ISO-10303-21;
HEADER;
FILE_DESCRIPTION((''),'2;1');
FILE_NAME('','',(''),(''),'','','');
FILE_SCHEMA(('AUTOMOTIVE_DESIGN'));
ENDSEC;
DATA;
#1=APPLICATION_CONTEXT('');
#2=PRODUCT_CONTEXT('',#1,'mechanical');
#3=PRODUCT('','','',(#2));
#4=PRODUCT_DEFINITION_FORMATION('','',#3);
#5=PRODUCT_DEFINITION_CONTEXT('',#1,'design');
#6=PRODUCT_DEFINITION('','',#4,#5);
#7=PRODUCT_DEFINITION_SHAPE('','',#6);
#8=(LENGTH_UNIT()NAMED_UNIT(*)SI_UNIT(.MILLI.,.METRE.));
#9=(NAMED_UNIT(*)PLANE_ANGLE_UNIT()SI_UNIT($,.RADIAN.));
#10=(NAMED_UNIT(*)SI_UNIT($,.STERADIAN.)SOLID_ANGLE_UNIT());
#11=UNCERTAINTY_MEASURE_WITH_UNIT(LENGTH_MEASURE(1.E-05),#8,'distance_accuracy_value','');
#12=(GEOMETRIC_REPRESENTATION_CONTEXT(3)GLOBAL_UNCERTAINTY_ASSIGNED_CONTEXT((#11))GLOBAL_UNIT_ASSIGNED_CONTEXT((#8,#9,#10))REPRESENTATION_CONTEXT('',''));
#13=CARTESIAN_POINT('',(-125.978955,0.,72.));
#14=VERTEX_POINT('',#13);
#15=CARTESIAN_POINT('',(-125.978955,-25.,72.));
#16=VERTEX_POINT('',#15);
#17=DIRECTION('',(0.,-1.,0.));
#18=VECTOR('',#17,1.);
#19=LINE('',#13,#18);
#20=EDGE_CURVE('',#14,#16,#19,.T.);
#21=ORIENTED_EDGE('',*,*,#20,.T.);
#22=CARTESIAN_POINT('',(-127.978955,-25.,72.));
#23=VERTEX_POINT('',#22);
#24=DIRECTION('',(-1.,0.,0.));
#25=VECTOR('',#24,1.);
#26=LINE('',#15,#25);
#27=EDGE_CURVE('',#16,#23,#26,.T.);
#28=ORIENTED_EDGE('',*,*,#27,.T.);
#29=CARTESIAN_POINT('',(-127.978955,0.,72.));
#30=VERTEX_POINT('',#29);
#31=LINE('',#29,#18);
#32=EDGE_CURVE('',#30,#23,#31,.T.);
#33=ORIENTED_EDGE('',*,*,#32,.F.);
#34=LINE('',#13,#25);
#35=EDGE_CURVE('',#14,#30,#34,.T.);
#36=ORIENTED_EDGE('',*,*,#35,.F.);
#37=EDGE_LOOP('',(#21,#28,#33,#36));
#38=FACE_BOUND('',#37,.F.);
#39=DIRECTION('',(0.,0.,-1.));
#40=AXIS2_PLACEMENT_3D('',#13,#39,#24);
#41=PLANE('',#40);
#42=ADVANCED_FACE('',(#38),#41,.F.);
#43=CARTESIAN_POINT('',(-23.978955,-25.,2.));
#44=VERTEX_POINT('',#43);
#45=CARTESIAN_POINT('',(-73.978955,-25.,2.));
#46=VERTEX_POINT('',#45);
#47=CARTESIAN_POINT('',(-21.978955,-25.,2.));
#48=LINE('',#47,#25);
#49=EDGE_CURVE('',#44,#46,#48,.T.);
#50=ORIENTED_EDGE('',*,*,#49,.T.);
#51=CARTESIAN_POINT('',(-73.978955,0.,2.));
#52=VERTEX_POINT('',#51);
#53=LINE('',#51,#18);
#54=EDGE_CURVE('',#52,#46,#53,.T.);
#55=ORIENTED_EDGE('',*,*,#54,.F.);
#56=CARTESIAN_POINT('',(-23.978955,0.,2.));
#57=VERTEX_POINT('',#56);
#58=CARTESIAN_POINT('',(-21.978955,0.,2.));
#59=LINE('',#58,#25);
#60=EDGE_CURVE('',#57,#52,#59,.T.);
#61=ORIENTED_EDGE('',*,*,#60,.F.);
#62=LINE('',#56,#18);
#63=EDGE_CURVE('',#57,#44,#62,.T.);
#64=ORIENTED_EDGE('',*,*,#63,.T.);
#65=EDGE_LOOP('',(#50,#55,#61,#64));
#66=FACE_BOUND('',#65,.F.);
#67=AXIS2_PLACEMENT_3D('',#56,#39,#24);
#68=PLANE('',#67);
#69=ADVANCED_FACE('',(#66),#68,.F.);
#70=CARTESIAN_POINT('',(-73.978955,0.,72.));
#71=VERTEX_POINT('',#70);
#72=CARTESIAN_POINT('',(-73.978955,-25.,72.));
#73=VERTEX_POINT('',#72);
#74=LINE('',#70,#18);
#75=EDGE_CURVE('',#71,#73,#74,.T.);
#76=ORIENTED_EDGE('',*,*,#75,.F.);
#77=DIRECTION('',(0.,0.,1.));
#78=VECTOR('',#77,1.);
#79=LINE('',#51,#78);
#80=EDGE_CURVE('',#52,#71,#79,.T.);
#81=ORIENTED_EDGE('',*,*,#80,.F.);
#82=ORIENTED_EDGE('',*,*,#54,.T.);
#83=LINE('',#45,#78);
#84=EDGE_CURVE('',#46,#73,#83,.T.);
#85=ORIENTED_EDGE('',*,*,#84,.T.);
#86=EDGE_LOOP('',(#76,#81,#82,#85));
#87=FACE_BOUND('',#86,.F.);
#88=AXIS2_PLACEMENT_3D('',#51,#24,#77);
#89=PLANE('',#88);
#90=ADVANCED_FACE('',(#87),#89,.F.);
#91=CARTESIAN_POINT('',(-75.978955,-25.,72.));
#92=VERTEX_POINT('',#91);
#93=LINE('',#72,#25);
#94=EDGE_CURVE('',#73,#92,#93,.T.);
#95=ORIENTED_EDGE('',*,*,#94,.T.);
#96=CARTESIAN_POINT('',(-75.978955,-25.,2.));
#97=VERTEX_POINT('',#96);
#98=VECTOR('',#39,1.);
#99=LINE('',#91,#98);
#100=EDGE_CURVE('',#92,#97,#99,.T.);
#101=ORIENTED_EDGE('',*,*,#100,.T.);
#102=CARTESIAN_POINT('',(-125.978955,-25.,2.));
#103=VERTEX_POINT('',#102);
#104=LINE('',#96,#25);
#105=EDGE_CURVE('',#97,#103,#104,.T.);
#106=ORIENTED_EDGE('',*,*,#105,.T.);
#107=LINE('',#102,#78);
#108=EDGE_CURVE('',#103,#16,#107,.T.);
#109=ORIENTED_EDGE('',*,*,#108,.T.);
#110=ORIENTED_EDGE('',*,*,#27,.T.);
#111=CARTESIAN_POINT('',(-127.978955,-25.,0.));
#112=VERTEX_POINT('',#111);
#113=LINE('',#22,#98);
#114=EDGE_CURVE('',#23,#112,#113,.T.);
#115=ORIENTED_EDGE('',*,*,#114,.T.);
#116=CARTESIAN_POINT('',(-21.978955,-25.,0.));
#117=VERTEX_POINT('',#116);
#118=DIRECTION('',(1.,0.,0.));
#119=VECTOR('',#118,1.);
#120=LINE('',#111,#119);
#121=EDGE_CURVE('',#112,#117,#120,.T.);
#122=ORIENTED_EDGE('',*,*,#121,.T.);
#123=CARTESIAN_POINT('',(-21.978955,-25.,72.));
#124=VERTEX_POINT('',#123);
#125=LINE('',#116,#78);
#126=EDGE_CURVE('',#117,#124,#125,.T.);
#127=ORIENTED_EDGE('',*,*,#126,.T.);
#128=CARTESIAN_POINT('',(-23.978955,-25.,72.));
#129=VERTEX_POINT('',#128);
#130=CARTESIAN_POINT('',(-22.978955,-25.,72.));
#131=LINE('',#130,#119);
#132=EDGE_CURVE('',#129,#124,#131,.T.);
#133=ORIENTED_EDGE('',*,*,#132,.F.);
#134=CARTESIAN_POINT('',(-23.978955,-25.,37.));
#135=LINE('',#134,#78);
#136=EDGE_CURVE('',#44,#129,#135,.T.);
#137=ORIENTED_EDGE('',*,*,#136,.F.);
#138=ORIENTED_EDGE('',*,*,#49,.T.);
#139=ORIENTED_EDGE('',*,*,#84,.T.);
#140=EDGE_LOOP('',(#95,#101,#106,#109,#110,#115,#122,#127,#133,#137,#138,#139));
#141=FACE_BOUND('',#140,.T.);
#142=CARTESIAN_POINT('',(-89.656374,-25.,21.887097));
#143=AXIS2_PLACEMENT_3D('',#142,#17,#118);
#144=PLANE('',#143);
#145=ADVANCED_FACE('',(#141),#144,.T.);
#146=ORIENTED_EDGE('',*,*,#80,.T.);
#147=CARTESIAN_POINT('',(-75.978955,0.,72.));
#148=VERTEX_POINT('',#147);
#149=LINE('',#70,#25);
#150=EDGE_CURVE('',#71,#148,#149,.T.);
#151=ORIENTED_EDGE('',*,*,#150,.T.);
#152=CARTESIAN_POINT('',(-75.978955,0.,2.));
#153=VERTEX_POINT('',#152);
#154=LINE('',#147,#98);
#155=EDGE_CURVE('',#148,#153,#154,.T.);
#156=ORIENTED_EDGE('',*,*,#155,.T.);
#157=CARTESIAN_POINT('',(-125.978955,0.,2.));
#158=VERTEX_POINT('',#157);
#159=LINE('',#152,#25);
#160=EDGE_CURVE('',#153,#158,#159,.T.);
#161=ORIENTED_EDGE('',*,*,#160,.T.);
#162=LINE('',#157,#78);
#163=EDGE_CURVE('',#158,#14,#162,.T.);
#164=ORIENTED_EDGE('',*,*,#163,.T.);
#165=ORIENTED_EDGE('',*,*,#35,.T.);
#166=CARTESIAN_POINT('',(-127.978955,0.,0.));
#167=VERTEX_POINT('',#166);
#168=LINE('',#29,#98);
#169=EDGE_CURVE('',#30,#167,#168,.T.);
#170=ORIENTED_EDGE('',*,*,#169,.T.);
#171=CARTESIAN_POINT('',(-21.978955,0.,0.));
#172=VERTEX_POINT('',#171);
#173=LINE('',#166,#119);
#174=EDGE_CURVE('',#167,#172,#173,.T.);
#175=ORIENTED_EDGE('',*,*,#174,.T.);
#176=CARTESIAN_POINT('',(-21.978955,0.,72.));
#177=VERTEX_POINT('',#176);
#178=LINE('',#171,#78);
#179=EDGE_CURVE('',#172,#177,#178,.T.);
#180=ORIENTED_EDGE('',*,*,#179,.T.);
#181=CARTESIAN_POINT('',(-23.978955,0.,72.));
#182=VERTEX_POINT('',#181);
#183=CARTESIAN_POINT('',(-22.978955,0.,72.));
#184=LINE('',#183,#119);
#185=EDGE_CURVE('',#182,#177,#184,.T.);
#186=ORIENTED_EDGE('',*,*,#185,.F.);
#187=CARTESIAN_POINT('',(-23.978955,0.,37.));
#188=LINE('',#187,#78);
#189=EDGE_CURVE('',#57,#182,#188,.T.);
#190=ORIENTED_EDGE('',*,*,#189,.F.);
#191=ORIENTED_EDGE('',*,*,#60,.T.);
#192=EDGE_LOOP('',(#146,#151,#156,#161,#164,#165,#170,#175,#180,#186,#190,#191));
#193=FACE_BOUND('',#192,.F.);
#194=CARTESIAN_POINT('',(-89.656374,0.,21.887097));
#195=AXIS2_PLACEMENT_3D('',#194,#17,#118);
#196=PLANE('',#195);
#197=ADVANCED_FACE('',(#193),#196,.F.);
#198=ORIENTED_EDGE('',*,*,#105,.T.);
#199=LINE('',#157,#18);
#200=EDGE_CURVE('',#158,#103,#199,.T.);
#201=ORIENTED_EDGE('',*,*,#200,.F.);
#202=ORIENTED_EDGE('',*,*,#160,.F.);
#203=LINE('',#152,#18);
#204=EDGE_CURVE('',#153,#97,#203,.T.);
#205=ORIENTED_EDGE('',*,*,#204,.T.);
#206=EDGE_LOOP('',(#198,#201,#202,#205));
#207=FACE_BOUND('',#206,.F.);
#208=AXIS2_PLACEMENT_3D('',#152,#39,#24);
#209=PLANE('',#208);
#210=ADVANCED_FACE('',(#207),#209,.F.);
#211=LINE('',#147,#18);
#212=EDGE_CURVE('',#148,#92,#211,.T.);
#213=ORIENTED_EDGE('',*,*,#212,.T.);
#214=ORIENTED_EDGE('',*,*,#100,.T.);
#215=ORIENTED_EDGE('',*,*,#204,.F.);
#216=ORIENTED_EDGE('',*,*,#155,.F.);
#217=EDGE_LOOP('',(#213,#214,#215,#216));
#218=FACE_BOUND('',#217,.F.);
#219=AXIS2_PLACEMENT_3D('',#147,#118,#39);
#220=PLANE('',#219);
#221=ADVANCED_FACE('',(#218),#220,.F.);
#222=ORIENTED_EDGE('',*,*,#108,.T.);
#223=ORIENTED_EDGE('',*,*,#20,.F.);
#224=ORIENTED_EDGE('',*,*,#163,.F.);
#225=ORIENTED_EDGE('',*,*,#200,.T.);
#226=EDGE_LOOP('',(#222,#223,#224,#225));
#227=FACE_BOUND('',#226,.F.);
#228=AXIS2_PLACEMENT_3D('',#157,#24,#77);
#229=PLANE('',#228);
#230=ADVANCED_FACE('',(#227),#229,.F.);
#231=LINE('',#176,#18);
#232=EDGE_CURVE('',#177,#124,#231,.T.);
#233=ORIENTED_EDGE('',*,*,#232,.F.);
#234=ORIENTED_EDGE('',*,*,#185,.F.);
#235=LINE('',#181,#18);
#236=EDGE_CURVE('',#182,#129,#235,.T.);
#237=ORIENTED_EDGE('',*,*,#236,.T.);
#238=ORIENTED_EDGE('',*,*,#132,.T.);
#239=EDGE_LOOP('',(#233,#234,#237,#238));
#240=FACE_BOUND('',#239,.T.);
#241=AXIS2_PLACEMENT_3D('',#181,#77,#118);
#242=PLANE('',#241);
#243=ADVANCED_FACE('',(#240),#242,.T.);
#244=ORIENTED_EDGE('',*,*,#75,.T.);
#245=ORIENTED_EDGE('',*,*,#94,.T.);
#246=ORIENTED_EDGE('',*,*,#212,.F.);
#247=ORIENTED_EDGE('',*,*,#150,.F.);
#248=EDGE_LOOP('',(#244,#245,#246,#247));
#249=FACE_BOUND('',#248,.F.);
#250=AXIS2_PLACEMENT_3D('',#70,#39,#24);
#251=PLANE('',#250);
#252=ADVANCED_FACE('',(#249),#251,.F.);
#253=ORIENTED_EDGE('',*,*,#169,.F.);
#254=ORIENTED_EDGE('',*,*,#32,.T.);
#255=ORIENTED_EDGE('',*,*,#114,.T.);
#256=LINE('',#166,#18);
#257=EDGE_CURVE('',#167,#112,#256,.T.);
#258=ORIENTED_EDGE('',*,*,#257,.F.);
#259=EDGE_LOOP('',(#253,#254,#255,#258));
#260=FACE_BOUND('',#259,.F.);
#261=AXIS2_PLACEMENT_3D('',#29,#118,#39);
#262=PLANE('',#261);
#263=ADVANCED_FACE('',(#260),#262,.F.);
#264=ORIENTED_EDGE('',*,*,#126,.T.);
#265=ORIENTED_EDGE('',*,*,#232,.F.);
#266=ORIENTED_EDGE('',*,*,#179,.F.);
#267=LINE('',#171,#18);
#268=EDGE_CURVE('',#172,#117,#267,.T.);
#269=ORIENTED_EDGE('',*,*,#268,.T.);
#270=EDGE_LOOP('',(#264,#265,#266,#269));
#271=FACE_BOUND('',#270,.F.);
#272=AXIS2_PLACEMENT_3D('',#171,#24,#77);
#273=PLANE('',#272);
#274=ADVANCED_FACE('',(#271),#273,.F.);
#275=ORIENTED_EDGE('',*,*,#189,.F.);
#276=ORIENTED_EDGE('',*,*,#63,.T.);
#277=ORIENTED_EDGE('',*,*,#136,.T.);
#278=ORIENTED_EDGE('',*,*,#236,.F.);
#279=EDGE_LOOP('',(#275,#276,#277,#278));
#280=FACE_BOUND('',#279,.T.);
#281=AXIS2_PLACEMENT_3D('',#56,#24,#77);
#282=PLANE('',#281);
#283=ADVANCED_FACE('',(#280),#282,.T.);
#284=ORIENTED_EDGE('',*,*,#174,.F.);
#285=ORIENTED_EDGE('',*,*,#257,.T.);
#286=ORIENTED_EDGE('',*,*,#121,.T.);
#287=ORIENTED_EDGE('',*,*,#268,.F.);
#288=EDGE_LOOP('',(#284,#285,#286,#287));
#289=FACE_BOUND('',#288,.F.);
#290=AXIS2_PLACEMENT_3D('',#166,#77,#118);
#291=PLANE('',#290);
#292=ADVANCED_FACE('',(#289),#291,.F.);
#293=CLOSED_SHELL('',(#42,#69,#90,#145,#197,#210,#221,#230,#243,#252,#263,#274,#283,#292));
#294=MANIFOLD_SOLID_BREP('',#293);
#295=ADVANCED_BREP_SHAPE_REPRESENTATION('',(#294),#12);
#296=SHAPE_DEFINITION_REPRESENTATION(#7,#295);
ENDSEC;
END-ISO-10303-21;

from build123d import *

# Parameters (mm, degrees)
F0_W     = 2
F0_H     = 70
F1_DEPTH = 25


with BuildPart() as f1:
    # F0 (on Front) → F1 (new body)
    with BuildSketch(Plane.XZ):
        Polygon((-127.978955, 72), (-127.978955, 0), (-21.978955, 0), (-21.978955, 2), (-23.978955, 2), (-73.978955, 2), (-73.978955, 72), (-75.978955, 72), (-75.978955, 2), (-125.978955, 2), (-125.978955, 72), align=None)
        with Locations((-22.978955, 37)):
            Rectangle(F0_W, F0_H)
    extrude(amount=F1_DEPTH)


solid = f1.part
